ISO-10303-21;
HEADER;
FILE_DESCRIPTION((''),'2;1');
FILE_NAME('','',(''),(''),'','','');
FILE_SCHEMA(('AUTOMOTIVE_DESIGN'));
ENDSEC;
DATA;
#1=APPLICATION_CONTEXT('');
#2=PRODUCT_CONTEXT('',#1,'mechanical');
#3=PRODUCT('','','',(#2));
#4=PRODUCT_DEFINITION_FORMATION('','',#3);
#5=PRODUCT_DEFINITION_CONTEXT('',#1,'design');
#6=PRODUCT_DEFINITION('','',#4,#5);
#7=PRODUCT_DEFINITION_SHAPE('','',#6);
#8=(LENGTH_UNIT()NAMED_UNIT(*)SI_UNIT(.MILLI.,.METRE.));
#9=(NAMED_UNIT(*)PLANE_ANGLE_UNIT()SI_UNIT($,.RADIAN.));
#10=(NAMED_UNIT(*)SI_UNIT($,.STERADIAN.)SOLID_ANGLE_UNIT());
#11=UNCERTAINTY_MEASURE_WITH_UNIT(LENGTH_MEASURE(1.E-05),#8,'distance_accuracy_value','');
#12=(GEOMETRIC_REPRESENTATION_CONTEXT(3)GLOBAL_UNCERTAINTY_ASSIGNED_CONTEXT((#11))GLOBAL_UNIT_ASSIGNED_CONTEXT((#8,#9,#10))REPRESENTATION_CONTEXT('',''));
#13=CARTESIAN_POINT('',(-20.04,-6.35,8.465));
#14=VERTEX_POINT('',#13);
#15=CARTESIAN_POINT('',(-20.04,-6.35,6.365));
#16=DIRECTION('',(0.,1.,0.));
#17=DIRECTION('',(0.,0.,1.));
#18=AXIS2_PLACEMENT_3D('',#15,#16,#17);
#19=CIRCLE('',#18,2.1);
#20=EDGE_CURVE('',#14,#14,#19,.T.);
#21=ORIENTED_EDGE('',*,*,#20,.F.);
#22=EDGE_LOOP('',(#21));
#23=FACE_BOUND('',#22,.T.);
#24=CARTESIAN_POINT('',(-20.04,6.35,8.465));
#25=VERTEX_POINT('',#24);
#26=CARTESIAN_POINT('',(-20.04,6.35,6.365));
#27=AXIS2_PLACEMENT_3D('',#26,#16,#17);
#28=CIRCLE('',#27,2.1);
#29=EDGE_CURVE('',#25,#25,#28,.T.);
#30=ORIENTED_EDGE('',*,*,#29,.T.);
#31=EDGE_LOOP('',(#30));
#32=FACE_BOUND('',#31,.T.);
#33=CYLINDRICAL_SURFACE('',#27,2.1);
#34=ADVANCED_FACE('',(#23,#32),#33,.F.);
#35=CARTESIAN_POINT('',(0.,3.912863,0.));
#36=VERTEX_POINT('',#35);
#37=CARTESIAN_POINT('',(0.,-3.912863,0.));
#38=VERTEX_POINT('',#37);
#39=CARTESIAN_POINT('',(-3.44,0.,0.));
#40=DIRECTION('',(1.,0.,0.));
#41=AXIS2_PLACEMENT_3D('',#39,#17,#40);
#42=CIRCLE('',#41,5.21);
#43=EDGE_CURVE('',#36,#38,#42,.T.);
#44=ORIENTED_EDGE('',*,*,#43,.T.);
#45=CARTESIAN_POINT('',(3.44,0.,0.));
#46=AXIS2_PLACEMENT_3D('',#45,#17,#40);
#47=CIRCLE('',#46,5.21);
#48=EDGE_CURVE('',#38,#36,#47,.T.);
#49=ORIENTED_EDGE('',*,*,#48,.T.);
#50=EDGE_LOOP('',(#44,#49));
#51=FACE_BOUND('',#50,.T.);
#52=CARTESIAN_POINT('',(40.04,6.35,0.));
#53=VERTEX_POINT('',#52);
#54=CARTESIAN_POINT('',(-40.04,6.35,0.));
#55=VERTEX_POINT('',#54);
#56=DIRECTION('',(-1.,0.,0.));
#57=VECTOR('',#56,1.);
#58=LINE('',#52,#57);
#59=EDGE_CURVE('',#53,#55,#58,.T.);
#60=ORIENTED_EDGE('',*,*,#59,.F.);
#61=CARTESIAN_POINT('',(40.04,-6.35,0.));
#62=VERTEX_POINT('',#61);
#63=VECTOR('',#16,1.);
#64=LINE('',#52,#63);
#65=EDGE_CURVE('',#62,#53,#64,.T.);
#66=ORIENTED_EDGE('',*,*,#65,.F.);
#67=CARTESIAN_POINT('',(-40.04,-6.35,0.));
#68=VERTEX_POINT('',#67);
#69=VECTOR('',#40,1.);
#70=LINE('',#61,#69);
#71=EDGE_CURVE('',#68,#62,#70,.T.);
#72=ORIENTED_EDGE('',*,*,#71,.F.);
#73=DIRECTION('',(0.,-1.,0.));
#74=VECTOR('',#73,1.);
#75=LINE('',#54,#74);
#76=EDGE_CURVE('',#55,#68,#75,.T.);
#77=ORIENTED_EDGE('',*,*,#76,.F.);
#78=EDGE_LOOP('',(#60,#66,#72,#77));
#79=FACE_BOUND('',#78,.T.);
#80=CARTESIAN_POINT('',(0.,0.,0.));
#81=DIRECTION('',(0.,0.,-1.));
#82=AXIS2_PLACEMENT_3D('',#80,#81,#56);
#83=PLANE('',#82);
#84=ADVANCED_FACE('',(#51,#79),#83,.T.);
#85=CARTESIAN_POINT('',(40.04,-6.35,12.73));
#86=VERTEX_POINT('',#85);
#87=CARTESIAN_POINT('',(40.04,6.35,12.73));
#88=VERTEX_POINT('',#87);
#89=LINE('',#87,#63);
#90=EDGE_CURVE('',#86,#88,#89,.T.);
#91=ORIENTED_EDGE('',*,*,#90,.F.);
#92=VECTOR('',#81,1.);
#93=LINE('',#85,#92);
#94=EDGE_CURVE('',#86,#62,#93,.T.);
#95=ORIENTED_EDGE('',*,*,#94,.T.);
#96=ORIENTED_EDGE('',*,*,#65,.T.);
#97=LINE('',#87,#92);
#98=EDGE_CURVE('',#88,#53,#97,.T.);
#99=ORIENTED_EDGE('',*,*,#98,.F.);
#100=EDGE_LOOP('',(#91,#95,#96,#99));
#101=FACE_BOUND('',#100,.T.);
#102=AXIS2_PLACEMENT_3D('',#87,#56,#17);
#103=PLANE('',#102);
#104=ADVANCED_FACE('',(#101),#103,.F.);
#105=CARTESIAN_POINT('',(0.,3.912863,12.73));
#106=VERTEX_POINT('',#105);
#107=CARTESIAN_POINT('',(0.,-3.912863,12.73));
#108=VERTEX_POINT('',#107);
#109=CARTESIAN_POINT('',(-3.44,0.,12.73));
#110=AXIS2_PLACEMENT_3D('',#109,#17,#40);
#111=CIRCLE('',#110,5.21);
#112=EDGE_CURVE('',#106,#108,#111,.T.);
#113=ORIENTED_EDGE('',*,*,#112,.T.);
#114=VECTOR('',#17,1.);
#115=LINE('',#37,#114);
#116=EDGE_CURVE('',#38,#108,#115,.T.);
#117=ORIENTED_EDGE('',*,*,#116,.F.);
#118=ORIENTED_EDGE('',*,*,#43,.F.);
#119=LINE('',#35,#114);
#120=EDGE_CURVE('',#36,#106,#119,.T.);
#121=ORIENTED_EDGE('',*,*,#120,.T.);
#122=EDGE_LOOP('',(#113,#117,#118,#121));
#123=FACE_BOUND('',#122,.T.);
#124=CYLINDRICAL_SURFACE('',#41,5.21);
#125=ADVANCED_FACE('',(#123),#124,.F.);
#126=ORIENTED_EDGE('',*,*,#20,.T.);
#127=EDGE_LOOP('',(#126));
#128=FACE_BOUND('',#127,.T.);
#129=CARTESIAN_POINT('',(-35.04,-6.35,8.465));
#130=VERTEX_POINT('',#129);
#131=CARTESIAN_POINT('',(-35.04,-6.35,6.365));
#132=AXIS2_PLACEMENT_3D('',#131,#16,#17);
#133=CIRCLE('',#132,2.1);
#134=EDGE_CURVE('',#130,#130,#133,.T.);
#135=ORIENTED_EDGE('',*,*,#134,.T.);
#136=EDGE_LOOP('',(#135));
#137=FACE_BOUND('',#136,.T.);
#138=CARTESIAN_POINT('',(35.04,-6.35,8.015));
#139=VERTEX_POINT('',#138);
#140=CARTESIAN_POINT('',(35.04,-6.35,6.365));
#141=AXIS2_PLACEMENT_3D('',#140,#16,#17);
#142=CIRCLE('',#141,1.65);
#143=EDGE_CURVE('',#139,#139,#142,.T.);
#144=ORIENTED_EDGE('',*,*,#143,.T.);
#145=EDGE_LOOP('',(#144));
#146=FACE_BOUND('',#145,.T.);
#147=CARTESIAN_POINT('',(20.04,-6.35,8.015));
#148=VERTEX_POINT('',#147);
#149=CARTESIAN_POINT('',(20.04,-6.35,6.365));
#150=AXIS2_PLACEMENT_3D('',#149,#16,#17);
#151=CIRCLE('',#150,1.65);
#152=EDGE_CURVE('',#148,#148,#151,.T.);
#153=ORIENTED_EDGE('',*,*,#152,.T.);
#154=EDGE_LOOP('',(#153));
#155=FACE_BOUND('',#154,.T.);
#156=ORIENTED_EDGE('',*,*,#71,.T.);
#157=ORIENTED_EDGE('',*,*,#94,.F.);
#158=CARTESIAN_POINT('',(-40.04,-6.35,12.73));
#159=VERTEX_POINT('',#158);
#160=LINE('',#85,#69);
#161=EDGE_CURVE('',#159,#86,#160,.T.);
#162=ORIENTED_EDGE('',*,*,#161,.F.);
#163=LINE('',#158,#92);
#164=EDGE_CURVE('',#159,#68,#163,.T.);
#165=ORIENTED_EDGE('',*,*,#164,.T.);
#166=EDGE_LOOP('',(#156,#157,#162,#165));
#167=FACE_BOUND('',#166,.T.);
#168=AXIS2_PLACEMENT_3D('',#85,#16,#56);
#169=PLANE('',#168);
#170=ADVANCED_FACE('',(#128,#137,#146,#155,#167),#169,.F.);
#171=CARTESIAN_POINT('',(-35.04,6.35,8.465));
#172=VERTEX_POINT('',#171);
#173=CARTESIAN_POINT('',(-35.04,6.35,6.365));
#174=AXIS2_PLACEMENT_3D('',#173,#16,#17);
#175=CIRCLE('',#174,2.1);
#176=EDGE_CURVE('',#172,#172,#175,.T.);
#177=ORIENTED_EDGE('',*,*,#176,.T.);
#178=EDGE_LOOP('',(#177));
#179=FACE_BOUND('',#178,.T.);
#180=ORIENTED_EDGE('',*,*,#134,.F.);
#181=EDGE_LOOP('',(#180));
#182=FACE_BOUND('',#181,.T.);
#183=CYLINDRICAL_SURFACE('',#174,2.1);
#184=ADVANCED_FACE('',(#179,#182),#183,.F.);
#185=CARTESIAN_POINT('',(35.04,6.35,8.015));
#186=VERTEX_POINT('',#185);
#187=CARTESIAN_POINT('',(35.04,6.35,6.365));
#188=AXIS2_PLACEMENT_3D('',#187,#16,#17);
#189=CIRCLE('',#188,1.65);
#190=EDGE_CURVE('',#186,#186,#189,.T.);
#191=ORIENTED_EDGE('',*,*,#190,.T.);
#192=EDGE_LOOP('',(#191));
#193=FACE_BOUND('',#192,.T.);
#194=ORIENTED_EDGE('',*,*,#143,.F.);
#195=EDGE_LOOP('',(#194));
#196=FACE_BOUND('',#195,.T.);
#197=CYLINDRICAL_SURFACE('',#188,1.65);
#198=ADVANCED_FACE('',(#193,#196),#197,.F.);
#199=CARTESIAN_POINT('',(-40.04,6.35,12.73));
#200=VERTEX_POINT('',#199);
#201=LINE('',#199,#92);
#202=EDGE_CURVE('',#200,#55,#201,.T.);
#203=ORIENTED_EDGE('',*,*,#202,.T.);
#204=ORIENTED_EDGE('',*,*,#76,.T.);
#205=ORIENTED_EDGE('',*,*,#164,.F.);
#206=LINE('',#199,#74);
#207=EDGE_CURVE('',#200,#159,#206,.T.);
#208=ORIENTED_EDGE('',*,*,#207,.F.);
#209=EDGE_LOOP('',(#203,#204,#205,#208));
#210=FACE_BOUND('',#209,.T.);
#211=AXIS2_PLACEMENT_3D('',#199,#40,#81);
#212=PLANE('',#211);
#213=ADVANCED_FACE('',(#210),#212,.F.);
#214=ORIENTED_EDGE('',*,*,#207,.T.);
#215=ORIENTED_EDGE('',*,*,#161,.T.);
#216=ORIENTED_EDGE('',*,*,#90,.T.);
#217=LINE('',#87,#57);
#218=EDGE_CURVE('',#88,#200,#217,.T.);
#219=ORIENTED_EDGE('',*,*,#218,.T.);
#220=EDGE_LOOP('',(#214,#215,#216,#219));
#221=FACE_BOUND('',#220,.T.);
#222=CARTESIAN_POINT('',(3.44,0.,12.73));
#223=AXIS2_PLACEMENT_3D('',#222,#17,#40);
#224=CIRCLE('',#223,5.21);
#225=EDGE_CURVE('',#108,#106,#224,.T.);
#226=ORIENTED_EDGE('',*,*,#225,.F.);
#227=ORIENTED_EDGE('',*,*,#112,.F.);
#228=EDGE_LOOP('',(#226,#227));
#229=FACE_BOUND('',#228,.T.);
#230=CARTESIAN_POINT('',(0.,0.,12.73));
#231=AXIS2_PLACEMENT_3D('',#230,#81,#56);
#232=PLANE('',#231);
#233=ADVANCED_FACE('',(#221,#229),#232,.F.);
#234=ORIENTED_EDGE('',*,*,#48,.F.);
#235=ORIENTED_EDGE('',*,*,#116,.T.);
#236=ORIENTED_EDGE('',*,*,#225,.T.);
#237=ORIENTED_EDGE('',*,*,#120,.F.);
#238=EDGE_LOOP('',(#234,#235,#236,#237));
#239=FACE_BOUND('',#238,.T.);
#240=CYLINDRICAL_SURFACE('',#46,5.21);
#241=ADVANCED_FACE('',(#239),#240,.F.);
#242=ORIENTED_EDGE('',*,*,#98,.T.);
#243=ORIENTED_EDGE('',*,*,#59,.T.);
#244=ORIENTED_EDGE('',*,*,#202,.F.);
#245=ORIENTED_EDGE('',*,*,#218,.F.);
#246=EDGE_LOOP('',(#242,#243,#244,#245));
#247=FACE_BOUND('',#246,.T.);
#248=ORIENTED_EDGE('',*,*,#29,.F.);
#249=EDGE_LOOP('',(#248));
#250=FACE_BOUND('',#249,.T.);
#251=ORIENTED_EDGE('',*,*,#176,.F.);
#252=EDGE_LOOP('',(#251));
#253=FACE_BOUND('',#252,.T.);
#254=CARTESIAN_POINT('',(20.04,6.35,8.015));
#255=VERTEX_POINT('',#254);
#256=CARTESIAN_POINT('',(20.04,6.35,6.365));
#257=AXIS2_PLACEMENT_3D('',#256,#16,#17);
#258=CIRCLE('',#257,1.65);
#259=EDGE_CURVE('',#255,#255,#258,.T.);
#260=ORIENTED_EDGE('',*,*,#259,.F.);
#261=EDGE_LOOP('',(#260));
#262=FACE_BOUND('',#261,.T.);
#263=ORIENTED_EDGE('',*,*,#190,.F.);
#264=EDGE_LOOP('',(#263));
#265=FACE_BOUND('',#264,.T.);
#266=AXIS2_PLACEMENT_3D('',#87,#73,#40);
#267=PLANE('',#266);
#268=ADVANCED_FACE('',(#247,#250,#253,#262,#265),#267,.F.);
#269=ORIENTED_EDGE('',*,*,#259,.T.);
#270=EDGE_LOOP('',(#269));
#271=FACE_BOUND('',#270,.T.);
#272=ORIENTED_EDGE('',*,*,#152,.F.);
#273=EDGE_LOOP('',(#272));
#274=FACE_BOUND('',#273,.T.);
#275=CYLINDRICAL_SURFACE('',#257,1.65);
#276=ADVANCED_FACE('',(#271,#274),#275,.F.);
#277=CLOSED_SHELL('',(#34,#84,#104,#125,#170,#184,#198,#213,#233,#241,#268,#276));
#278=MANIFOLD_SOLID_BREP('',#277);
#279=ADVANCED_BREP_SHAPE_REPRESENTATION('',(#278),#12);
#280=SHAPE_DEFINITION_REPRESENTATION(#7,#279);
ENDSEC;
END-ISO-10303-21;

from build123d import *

# Parameters (mm, degrees)
SKETCH1_W             = 80.08
SKETCH1_H             = 12.7
BOSS_EXTRUDE1_DEPTH   = 12.73
M5X0_8_TAPPED_HOLE1_D = 4.2
M4X0_7_TAPPED_HOLE1_D = 3.3
SKETCH7_R             = 5.21
CUT_EXTRUDE1_DEPTH    = 12.73


with BuildPart() as part:
    # Sketch1 → Boss-Extrude1 (new body)
    with BuildSketch(Plane.XY):
        Rectangle(SKETCH1_W, SKETCH1_H)
    extrude(amount=BOSS_EXTRUDE1_DEPTH)

    # M5x0.8 Tapped Hole1 (through all)
    with Locations(Plane(origin=(0, 6.35, 0), x_dir=(1, 0, 0), z_dir=(0, 1, 0))):
        with Locations((-35.04, -6.365), (-20.04, -6.365)):
            Hole(M5X0_8_TAPPED_HOLE1_D / 2)

    # M4x0.7 Tapped Hole1 (through all)
    with Locations(Plane(origin=(0, 6.35, 0), x_dir=(1, 0, 0), z_dir=(0, 1, 0))):
        with Locations((20.04, -6.365), (35.04, -6.365)):
            Hole(M4X0_7_TAPPED_HOLE1_D / 2)

    # Sketch7 → Cut-Extrude1 (cut)
    with BuildSketch(Plane.XY.offset(12.73)):
        with Locations((3.44, 0)):
            Circle(SKETCH7_R)
        with Locations((-3.44, 0)):
            Circle(SKETCH7_R)
    extrude(amount=-CUT_EXTRUDE1_DEPTH, mode=Mode.SUBTRACT)


solid = part.part
